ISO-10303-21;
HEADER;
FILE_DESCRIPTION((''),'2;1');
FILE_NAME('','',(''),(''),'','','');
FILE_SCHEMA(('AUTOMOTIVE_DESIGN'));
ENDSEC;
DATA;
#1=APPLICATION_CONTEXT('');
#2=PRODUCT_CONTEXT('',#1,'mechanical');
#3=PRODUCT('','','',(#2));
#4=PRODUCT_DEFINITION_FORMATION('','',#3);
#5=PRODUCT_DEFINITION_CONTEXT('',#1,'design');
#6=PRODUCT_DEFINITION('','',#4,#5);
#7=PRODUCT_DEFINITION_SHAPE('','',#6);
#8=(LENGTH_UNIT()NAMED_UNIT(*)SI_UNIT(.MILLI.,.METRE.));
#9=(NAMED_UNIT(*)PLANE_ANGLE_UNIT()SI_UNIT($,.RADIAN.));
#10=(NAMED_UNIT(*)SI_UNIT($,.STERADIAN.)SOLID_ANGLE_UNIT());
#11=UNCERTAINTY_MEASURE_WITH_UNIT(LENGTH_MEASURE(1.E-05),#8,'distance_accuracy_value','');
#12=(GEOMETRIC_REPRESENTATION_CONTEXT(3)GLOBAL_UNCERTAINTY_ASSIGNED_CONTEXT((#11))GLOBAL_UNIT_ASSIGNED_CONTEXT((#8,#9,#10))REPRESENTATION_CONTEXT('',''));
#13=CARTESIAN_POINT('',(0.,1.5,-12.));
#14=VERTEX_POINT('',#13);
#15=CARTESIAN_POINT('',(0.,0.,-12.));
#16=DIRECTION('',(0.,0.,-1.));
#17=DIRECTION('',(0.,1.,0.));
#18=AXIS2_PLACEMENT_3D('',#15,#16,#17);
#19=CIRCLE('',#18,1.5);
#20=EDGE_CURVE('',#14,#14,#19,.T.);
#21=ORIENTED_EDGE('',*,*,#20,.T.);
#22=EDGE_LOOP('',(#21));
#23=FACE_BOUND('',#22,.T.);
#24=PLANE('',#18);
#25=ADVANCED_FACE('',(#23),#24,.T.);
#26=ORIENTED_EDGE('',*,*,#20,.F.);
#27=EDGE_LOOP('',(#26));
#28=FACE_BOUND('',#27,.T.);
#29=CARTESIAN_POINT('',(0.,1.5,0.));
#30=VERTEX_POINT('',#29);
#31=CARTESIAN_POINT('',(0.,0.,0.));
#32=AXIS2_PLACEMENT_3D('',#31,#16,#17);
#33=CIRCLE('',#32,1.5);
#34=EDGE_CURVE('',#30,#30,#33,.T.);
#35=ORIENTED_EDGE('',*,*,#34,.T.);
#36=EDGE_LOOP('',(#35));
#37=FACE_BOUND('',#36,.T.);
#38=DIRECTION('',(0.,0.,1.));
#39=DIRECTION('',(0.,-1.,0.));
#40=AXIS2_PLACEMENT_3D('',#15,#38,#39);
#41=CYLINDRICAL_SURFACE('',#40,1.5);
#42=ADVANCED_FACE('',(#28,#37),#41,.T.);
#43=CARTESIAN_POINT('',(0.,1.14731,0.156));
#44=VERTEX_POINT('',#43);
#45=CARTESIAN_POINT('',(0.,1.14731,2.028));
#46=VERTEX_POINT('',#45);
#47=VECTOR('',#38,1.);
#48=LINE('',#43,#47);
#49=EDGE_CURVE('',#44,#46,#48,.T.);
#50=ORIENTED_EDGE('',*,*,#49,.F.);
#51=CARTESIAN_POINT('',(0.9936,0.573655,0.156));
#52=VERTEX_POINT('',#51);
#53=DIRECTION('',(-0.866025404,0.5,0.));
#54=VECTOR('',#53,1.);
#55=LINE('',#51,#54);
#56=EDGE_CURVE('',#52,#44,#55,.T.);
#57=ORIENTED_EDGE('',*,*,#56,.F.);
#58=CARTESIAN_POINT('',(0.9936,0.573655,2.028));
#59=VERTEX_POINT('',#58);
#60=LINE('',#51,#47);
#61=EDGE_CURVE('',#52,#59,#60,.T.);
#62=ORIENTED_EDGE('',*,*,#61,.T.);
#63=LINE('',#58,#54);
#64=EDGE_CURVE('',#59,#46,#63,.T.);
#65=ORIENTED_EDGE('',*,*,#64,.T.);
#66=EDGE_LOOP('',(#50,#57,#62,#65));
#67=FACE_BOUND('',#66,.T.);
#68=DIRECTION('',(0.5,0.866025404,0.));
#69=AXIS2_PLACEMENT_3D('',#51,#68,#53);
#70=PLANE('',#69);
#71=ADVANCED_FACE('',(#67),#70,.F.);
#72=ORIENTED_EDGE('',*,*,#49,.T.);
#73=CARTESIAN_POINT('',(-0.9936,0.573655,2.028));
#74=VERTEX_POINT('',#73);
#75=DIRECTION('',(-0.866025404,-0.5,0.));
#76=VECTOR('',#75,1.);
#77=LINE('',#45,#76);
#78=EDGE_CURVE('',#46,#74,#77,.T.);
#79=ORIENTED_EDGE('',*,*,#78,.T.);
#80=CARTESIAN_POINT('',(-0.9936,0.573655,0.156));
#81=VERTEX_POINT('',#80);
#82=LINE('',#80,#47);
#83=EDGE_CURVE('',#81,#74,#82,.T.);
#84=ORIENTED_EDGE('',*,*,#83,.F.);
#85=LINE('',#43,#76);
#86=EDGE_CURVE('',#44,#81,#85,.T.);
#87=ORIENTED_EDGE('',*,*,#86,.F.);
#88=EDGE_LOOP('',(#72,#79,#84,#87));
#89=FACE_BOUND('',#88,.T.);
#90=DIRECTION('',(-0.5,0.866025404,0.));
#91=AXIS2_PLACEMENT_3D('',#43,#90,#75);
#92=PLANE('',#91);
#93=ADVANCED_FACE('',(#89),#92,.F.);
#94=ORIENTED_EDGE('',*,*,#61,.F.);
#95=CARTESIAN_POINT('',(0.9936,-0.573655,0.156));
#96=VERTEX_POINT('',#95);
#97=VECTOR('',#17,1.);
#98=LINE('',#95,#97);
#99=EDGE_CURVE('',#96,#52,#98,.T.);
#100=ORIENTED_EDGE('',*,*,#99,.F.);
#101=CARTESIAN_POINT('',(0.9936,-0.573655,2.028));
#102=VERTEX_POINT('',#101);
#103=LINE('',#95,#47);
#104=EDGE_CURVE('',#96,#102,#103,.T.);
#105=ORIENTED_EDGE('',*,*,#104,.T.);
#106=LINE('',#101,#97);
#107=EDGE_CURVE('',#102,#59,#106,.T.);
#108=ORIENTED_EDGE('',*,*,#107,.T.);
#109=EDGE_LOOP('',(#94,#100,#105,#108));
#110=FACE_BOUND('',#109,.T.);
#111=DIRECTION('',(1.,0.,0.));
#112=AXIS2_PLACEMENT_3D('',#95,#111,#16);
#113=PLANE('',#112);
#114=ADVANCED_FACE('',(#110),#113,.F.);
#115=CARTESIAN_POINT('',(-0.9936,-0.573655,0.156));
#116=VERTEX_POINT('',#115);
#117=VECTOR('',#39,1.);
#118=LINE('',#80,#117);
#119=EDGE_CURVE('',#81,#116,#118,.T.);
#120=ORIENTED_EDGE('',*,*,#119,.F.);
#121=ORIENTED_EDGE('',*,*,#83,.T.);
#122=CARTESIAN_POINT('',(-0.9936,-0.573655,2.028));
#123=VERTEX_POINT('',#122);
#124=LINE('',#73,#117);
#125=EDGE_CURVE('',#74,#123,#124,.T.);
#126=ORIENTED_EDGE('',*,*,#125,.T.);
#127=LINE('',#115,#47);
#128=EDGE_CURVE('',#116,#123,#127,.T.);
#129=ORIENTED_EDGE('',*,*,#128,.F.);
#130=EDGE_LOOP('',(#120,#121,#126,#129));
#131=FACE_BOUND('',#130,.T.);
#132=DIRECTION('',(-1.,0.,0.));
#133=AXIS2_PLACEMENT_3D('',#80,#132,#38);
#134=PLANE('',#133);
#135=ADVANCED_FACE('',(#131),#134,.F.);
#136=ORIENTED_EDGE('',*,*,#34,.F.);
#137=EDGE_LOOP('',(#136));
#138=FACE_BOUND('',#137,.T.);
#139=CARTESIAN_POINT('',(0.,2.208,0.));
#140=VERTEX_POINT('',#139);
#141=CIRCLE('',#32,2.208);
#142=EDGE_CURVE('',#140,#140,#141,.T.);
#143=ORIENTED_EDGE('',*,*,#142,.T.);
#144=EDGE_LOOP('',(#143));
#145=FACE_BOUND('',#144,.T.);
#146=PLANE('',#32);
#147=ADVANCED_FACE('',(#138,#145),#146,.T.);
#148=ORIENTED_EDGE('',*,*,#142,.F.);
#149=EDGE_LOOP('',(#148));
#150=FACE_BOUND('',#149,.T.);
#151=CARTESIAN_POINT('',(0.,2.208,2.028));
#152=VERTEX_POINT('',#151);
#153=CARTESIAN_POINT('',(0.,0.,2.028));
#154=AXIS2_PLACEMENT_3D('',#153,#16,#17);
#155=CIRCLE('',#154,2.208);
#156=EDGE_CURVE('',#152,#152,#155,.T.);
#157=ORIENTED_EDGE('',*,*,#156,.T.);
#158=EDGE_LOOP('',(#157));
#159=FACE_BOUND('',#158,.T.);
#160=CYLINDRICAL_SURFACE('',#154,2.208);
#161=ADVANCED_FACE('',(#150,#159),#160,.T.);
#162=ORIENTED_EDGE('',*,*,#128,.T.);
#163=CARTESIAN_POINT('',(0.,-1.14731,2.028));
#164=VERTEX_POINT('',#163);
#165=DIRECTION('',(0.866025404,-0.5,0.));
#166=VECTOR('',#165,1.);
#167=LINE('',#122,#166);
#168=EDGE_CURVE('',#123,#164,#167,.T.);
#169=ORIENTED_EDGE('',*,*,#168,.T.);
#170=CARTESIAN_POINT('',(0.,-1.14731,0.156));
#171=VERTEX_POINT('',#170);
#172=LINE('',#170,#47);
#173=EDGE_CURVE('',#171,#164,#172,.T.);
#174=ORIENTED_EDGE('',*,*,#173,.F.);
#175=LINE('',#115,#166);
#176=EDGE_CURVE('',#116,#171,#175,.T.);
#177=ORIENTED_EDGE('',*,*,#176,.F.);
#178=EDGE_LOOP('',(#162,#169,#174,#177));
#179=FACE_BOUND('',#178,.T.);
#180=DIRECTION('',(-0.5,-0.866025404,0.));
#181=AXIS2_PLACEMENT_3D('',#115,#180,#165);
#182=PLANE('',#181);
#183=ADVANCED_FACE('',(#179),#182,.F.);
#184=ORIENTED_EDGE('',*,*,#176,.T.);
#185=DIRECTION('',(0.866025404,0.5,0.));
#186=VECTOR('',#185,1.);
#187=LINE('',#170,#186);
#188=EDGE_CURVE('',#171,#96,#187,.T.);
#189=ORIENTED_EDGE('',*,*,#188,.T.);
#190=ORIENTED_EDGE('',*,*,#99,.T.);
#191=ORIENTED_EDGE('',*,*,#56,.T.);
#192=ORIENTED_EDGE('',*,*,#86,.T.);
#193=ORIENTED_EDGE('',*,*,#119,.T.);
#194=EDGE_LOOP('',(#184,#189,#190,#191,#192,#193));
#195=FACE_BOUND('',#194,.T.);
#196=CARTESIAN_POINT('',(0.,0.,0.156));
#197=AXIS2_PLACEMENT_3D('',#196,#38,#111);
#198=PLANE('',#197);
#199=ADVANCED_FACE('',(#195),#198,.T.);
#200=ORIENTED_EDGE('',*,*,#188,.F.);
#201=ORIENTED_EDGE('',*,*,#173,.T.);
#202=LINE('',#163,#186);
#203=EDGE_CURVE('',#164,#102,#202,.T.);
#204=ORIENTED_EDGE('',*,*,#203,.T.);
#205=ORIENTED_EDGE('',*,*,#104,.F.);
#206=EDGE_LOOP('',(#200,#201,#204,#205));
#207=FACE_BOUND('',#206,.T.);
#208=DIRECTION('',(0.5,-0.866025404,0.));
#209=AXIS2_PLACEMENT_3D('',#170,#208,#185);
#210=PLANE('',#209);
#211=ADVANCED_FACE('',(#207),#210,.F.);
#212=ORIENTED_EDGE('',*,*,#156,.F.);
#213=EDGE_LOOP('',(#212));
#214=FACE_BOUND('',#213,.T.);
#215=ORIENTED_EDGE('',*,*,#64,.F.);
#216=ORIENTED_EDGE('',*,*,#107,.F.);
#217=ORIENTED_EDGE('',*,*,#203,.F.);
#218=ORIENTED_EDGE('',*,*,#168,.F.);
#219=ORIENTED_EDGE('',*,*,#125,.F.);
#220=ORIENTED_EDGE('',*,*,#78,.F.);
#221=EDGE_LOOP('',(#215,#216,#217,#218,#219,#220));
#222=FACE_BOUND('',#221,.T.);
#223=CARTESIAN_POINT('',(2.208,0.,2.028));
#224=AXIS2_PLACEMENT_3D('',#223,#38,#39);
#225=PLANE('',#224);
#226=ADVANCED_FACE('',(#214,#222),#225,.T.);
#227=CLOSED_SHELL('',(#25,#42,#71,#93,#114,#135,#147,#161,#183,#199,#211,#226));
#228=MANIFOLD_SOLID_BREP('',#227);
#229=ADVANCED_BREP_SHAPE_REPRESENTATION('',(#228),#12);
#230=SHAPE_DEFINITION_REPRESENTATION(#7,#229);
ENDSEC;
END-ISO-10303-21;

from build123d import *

# Parameters (mm, degrees)
SKETCH_1_W          = 2.208
SKETCH_1_H          = 2.028
SKETCH_2_R          = 1.5
EXTRUDE_1_DEPTH     = 12
CUT_EXTRUDE_1_DEPTH = 1.872


with BuildPart() as part:
    # 草图1 → 旋转1 (revolve)
    with BuildSketch(Plane.XZ, mode=Mode.PRIVATE) as revolve_1_sk:
        with Locations((1.104, 1.014)):
            Rectangle(SKETCH_1_W, SKETCH_1_H)
    revolve(revolve_1_sk.sketch.rotate(Axis((0, 0, 2.028), (0, 0, -1)), 270), axis=Axis((0, 0, 2.028), (0, 0, -1)))

    # 草图2 → 凸台-拉伸1 (add)
    with BuildSketch(Plane(origin=(0, 0, 0), x_dir=(-1, 0, 0), z_dir=(0, 0, -1))):
        with Locations(Location((0, 0, 0), (0, 0, 90))):
            Circle(SKETCH_2_R)
    extrude(amount=EXTRUDE_1_DEPTH)

    # 草图3 → 切除-拉伸1 (cut)
    with BuildSketch(Plane.XY.offset(2.028)):
        Polygon((0.9936, -0.573655227), (0.9936, 0.573655227), (0, 1.147310455), (-0.9936, 0.573655227), (-0.9936, -0.573655227), (0, -1.147310455), align=None)
    extrude(amount=-CUT_EXTRUDE_1_DEPTH, mode=Mode.SUBTRACT)


solid = part.part
